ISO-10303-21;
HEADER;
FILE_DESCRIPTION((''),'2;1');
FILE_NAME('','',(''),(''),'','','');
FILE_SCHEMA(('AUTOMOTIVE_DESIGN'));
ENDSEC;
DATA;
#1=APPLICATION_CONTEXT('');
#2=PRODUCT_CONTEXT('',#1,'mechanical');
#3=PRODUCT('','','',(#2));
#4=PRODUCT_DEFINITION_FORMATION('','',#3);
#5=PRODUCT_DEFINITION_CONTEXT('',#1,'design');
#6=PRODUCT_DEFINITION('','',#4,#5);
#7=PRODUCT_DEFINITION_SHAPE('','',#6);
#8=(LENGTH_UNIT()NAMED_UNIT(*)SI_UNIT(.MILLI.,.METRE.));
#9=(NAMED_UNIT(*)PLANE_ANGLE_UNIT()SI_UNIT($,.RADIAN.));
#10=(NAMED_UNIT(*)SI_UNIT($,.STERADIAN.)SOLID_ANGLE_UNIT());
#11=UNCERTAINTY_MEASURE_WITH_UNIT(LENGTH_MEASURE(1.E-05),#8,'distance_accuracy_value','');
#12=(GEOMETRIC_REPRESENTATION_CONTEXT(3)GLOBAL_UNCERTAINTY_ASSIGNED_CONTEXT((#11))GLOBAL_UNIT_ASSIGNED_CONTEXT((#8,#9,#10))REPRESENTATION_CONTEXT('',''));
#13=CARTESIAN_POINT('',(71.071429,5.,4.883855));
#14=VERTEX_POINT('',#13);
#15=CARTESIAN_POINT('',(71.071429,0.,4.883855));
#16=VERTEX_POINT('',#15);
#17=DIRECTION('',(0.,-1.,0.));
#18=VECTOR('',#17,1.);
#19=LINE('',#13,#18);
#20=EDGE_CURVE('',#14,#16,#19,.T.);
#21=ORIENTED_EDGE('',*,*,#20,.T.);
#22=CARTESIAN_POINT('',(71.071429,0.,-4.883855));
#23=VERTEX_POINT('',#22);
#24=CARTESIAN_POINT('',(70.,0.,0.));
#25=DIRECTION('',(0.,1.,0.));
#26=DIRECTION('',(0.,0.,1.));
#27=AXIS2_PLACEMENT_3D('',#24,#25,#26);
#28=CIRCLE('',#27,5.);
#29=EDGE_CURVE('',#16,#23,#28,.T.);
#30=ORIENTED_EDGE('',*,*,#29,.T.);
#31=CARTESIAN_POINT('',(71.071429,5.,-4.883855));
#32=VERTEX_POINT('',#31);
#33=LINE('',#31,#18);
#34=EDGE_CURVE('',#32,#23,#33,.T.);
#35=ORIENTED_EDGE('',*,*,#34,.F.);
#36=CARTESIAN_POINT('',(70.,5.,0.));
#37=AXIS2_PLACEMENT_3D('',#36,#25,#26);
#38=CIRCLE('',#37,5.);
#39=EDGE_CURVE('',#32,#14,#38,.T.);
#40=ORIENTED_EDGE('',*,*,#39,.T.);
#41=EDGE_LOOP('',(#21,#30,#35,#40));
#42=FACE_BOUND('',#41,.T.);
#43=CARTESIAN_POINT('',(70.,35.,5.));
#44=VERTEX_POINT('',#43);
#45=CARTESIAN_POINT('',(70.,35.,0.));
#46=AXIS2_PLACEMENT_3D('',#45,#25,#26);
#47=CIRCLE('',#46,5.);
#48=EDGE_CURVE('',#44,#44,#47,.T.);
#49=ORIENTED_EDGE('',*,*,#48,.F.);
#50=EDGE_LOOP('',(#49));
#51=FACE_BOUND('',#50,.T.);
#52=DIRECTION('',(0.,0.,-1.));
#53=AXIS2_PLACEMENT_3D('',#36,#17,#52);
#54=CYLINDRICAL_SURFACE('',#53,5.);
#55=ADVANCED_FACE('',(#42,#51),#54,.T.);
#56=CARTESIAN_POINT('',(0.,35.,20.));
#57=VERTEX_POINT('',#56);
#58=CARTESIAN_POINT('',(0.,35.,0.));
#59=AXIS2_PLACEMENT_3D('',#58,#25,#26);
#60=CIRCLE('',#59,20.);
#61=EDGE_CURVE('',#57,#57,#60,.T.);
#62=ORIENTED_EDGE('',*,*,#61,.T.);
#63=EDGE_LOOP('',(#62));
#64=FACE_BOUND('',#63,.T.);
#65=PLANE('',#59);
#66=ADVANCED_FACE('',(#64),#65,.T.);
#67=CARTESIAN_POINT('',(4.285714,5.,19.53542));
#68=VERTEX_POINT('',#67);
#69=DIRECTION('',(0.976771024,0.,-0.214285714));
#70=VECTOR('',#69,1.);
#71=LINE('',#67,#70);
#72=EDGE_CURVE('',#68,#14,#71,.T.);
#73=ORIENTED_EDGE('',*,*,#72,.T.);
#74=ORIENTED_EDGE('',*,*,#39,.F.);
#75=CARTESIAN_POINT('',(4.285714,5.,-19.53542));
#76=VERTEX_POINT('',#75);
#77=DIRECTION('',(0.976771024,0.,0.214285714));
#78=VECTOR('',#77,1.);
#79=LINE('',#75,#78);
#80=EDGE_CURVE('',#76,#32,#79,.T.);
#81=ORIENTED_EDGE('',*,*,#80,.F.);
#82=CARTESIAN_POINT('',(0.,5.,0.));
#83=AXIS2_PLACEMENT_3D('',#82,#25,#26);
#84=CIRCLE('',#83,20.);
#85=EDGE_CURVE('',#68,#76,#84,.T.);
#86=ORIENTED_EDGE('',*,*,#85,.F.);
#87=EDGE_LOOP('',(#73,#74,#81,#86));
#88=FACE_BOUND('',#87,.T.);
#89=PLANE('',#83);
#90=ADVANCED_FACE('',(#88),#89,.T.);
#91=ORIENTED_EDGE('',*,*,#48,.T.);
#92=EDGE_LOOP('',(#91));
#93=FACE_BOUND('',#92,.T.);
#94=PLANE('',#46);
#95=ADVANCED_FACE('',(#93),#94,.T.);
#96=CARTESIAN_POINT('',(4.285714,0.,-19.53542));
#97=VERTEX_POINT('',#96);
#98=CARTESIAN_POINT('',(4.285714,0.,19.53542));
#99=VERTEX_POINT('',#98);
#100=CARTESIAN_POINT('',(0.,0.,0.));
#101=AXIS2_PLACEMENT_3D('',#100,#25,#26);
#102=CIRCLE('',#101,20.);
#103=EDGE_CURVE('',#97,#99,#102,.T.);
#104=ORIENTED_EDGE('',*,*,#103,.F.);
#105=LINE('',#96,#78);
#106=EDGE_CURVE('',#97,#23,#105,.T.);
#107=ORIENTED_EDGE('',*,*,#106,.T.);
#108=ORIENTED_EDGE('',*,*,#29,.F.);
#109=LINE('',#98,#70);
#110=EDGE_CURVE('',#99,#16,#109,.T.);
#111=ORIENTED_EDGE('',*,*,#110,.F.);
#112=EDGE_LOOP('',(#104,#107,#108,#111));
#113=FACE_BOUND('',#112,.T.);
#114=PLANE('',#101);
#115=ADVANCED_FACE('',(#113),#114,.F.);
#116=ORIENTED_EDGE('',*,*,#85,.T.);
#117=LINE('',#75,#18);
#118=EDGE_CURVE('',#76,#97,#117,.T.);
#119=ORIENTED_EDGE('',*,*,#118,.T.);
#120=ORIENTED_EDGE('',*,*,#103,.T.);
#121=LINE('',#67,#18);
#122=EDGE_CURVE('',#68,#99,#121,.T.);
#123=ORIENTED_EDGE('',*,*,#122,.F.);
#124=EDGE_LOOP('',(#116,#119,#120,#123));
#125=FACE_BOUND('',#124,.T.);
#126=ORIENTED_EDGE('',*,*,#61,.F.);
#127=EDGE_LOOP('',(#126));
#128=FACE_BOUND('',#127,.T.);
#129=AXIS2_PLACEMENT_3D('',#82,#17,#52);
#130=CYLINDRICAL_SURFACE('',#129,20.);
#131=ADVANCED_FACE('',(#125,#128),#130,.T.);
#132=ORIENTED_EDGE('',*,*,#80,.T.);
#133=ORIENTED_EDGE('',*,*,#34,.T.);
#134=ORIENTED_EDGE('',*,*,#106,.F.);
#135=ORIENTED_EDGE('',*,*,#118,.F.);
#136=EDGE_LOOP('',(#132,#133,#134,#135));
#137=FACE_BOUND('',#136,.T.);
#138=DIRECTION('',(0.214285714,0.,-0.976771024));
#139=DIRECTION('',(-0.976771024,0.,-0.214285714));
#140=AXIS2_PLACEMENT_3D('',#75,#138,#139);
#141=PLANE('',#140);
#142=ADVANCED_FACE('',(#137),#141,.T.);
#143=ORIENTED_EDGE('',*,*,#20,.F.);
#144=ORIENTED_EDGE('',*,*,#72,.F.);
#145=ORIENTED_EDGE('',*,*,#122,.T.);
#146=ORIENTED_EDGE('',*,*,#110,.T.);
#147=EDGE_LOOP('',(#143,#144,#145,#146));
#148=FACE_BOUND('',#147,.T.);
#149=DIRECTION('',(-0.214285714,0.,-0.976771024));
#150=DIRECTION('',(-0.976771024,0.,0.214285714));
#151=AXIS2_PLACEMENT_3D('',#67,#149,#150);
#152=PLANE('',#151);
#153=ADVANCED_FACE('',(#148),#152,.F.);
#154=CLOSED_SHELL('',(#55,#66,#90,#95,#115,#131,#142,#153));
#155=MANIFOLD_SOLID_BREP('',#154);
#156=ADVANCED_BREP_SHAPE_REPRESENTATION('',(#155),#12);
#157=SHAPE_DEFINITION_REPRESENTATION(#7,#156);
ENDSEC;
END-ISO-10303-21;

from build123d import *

# Parameters (mm, degrees)
EXTRUDE_1_DEPTH = 5
SKETCH_2_R      = 20
SKETCH_2_R_2    = 5
EXTRUDE_2_DEPTH = 30


with BuildPart() as part:
    # 草图1 → 凸台-拉伸1 (new body)
    with BuildSketch(Plane(origin=(0, 0, 0), x_dir=(1, 0, 0), z_dir=(0, 1, 0))):
        with BuildLine():
            Line((71.071428571, 4.883855118), (4.285714272, 19.535420476))
            ThreePointArc((4.285714272, 19.535420476), (-20, 1.6e-07), (4.28571396, -19.535420545))
            Line((4.28571396, -19.535420545), (71.071428571, -4.883855118))
            ThreePointArc((71.071428571, -4.883855118), (75, 0), (71.071428571, 4.883855118))
        make_face()
    extrude(amount=EXTRUDE_1_DEPTH)

    # 草图2 → 凸台-拉伸2 (add)
    with BuildSketch(Plane(origin=(0, 5, 0), x_dir=(1, 0, 0), z_dir=(0, 1, 0))):
        with Locations(Location((0, 0, 0), (0, 0, 77.626374884))):
            Circle(SKETCH_2_R)
        with Locations(Location((70, 0, 0), (0, 0, 77.626374884))):
            Circle(SKETCH_2_R_2)
    extrude(amount=EXTRUDE_2_DEPTH)


solid = part.part
